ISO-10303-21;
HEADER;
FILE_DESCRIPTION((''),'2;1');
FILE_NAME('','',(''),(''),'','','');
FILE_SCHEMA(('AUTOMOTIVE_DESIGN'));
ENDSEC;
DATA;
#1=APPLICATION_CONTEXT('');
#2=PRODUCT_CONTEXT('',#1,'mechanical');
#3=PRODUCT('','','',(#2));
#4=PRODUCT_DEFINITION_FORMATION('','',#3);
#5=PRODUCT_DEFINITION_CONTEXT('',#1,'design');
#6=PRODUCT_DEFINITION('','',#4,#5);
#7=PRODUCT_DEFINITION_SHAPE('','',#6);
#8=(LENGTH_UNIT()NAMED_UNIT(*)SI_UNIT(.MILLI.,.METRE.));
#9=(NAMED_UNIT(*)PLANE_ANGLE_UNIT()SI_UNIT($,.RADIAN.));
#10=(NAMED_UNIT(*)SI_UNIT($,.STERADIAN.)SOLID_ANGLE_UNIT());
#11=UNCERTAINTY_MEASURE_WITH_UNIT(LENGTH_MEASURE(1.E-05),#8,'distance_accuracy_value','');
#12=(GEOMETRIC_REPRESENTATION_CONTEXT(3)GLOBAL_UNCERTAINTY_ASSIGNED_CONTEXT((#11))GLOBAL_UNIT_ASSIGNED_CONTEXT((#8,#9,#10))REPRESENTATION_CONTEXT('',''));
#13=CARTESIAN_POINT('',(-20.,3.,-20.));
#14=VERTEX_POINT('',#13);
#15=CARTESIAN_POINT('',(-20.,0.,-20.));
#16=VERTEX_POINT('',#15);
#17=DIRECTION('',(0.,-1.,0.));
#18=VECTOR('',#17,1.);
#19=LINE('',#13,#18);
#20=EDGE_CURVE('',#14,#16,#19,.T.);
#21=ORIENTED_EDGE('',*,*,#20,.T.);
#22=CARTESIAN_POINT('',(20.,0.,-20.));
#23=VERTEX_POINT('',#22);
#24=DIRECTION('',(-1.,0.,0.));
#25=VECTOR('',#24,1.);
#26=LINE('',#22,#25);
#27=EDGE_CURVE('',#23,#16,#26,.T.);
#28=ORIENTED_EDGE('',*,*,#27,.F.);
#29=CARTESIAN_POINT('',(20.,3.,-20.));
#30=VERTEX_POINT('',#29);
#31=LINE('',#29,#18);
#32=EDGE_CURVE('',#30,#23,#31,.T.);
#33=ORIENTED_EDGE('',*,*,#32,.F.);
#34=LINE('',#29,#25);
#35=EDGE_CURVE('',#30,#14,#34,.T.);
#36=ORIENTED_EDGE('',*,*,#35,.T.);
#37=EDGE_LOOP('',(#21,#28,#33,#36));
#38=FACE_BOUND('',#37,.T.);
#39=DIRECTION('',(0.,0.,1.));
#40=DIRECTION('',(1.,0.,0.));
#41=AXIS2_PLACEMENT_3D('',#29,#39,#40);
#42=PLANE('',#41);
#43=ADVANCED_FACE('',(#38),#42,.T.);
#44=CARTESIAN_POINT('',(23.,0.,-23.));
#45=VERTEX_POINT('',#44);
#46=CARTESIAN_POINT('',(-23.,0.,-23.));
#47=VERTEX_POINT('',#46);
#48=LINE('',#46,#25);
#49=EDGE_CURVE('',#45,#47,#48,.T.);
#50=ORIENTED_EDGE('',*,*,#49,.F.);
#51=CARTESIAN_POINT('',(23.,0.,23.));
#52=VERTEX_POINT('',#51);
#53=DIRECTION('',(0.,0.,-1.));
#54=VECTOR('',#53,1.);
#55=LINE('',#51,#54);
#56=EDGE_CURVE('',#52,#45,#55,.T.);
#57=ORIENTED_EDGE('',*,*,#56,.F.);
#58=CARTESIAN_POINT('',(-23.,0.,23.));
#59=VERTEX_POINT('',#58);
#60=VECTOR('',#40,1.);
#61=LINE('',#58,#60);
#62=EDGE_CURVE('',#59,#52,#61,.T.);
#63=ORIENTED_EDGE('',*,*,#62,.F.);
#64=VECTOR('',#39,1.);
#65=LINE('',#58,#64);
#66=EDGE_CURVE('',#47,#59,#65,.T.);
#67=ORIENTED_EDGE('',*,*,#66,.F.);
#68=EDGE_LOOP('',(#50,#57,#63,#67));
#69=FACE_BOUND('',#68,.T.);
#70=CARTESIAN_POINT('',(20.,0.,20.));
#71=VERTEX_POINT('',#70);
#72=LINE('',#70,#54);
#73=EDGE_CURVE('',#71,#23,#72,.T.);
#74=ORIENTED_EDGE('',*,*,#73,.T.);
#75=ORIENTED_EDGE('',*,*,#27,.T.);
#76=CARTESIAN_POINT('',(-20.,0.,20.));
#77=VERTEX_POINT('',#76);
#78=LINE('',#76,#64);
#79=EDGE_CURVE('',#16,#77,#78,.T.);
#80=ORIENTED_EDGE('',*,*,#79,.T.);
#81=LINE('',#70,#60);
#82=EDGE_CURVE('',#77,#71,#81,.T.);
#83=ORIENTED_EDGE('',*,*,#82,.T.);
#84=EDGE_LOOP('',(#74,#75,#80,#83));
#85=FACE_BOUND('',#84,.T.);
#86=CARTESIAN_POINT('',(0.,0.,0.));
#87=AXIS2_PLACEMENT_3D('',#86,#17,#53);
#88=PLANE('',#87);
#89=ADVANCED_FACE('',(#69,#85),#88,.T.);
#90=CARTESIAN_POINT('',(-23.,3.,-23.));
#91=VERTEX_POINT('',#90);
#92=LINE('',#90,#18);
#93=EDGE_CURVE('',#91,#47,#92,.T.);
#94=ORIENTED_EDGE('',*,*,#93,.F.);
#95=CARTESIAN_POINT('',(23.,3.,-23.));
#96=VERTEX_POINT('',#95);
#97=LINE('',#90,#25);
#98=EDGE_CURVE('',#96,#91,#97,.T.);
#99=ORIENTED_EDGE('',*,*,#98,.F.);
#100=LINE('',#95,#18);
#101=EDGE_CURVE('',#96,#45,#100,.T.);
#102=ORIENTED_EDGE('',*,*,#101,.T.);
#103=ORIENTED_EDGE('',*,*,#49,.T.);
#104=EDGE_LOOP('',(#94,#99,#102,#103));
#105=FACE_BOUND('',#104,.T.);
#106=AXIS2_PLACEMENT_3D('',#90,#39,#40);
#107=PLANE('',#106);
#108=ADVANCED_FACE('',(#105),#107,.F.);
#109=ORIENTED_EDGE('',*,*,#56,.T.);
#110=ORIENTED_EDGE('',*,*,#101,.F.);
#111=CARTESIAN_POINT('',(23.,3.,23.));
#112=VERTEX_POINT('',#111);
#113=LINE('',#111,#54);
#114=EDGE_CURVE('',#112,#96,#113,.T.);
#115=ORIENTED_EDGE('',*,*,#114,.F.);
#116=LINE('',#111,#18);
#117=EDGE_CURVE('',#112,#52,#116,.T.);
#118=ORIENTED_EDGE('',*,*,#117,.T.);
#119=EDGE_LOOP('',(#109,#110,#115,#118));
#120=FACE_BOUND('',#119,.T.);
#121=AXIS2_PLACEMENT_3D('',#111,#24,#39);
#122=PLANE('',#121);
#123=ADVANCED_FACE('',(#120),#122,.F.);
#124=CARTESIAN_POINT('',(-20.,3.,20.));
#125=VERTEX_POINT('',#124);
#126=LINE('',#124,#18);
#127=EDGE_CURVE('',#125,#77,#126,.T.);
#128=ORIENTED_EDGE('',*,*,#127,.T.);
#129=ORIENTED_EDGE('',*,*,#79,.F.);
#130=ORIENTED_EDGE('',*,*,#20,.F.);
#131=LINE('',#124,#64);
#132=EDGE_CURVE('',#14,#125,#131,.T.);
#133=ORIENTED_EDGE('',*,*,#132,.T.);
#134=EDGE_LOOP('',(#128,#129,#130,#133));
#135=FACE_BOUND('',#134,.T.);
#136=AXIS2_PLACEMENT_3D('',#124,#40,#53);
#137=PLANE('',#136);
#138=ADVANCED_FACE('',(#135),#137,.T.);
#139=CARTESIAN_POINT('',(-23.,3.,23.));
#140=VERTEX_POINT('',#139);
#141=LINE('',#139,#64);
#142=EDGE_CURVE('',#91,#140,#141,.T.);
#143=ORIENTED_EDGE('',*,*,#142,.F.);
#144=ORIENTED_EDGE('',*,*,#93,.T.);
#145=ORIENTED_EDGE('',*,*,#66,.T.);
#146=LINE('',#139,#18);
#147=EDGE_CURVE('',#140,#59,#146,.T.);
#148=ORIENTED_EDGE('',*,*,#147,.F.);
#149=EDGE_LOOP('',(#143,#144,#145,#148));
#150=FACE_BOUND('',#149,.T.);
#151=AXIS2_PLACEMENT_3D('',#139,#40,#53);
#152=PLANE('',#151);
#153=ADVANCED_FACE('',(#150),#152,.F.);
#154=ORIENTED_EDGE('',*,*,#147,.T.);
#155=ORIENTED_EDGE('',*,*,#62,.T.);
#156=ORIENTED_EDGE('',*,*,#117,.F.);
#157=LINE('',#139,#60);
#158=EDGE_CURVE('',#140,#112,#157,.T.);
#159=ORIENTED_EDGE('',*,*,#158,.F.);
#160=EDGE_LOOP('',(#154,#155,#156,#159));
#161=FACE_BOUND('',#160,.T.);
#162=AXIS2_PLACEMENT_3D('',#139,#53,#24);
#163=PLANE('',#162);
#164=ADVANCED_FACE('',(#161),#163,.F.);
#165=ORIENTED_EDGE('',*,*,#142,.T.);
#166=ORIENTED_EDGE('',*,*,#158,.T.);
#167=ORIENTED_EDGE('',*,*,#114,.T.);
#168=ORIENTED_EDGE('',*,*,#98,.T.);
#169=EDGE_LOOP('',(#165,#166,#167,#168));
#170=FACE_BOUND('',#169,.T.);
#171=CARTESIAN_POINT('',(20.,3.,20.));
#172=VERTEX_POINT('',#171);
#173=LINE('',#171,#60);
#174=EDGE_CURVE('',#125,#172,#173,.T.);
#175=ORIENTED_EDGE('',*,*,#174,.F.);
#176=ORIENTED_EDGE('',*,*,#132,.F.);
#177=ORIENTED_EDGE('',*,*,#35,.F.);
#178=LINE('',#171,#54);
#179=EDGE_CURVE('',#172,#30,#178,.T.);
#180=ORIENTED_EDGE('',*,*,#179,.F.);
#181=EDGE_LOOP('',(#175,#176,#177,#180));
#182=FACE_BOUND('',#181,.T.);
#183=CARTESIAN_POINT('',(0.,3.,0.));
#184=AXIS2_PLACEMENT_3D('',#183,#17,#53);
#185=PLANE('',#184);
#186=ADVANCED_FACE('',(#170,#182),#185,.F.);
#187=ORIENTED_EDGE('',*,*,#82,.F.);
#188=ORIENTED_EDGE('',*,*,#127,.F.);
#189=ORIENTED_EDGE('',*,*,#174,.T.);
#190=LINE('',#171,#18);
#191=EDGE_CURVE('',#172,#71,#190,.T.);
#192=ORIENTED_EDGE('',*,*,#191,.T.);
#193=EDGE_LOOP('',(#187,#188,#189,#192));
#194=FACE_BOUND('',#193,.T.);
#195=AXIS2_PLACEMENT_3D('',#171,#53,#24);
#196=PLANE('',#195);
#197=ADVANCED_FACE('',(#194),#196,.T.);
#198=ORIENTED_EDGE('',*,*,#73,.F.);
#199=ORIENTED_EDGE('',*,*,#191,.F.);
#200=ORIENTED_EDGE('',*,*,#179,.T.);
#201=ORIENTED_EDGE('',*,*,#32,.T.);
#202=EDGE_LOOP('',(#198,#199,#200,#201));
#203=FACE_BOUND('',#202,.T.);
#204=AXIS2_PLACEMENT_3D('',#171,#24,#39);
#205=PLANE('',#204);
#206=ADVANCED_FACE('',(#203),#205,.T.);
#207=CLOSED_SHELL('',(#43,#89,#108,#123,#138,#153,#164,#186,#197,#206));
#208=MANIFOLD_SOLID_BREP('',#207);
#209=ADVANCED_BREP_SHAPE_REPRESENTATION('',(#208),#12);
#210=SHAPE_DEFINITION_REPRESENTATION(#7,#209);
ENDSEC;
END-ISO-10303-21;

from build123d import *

# Parameters (mm, degrees)
CROQUIS1_W              = 46
CROQUIS1_H              = 46
CROQUIS1_W_2            = 40
CROQUIS1_H_2            = 40
SALIENTE_EXTRUIR1_DEPTH = 3


with BuildPart() as part:
    # Croquis1 → Saliente-Extruir1 (new body)
    with BuildSketch(Plane(origin=(0, 0, 0), x_dir=(1, 0, 0), z_dir=(0, 1, 0))):
        Rectangle(CROQUIS1_W, CROQUIS1_H)
        Rectangle(CROQUIS1_W_2, CROQUIS1_H_2, mode=Mode.SUBTRACT)
    extrude(amount=SALIENTE_EXTRUIR1_DEPTH)


solid = part.part
